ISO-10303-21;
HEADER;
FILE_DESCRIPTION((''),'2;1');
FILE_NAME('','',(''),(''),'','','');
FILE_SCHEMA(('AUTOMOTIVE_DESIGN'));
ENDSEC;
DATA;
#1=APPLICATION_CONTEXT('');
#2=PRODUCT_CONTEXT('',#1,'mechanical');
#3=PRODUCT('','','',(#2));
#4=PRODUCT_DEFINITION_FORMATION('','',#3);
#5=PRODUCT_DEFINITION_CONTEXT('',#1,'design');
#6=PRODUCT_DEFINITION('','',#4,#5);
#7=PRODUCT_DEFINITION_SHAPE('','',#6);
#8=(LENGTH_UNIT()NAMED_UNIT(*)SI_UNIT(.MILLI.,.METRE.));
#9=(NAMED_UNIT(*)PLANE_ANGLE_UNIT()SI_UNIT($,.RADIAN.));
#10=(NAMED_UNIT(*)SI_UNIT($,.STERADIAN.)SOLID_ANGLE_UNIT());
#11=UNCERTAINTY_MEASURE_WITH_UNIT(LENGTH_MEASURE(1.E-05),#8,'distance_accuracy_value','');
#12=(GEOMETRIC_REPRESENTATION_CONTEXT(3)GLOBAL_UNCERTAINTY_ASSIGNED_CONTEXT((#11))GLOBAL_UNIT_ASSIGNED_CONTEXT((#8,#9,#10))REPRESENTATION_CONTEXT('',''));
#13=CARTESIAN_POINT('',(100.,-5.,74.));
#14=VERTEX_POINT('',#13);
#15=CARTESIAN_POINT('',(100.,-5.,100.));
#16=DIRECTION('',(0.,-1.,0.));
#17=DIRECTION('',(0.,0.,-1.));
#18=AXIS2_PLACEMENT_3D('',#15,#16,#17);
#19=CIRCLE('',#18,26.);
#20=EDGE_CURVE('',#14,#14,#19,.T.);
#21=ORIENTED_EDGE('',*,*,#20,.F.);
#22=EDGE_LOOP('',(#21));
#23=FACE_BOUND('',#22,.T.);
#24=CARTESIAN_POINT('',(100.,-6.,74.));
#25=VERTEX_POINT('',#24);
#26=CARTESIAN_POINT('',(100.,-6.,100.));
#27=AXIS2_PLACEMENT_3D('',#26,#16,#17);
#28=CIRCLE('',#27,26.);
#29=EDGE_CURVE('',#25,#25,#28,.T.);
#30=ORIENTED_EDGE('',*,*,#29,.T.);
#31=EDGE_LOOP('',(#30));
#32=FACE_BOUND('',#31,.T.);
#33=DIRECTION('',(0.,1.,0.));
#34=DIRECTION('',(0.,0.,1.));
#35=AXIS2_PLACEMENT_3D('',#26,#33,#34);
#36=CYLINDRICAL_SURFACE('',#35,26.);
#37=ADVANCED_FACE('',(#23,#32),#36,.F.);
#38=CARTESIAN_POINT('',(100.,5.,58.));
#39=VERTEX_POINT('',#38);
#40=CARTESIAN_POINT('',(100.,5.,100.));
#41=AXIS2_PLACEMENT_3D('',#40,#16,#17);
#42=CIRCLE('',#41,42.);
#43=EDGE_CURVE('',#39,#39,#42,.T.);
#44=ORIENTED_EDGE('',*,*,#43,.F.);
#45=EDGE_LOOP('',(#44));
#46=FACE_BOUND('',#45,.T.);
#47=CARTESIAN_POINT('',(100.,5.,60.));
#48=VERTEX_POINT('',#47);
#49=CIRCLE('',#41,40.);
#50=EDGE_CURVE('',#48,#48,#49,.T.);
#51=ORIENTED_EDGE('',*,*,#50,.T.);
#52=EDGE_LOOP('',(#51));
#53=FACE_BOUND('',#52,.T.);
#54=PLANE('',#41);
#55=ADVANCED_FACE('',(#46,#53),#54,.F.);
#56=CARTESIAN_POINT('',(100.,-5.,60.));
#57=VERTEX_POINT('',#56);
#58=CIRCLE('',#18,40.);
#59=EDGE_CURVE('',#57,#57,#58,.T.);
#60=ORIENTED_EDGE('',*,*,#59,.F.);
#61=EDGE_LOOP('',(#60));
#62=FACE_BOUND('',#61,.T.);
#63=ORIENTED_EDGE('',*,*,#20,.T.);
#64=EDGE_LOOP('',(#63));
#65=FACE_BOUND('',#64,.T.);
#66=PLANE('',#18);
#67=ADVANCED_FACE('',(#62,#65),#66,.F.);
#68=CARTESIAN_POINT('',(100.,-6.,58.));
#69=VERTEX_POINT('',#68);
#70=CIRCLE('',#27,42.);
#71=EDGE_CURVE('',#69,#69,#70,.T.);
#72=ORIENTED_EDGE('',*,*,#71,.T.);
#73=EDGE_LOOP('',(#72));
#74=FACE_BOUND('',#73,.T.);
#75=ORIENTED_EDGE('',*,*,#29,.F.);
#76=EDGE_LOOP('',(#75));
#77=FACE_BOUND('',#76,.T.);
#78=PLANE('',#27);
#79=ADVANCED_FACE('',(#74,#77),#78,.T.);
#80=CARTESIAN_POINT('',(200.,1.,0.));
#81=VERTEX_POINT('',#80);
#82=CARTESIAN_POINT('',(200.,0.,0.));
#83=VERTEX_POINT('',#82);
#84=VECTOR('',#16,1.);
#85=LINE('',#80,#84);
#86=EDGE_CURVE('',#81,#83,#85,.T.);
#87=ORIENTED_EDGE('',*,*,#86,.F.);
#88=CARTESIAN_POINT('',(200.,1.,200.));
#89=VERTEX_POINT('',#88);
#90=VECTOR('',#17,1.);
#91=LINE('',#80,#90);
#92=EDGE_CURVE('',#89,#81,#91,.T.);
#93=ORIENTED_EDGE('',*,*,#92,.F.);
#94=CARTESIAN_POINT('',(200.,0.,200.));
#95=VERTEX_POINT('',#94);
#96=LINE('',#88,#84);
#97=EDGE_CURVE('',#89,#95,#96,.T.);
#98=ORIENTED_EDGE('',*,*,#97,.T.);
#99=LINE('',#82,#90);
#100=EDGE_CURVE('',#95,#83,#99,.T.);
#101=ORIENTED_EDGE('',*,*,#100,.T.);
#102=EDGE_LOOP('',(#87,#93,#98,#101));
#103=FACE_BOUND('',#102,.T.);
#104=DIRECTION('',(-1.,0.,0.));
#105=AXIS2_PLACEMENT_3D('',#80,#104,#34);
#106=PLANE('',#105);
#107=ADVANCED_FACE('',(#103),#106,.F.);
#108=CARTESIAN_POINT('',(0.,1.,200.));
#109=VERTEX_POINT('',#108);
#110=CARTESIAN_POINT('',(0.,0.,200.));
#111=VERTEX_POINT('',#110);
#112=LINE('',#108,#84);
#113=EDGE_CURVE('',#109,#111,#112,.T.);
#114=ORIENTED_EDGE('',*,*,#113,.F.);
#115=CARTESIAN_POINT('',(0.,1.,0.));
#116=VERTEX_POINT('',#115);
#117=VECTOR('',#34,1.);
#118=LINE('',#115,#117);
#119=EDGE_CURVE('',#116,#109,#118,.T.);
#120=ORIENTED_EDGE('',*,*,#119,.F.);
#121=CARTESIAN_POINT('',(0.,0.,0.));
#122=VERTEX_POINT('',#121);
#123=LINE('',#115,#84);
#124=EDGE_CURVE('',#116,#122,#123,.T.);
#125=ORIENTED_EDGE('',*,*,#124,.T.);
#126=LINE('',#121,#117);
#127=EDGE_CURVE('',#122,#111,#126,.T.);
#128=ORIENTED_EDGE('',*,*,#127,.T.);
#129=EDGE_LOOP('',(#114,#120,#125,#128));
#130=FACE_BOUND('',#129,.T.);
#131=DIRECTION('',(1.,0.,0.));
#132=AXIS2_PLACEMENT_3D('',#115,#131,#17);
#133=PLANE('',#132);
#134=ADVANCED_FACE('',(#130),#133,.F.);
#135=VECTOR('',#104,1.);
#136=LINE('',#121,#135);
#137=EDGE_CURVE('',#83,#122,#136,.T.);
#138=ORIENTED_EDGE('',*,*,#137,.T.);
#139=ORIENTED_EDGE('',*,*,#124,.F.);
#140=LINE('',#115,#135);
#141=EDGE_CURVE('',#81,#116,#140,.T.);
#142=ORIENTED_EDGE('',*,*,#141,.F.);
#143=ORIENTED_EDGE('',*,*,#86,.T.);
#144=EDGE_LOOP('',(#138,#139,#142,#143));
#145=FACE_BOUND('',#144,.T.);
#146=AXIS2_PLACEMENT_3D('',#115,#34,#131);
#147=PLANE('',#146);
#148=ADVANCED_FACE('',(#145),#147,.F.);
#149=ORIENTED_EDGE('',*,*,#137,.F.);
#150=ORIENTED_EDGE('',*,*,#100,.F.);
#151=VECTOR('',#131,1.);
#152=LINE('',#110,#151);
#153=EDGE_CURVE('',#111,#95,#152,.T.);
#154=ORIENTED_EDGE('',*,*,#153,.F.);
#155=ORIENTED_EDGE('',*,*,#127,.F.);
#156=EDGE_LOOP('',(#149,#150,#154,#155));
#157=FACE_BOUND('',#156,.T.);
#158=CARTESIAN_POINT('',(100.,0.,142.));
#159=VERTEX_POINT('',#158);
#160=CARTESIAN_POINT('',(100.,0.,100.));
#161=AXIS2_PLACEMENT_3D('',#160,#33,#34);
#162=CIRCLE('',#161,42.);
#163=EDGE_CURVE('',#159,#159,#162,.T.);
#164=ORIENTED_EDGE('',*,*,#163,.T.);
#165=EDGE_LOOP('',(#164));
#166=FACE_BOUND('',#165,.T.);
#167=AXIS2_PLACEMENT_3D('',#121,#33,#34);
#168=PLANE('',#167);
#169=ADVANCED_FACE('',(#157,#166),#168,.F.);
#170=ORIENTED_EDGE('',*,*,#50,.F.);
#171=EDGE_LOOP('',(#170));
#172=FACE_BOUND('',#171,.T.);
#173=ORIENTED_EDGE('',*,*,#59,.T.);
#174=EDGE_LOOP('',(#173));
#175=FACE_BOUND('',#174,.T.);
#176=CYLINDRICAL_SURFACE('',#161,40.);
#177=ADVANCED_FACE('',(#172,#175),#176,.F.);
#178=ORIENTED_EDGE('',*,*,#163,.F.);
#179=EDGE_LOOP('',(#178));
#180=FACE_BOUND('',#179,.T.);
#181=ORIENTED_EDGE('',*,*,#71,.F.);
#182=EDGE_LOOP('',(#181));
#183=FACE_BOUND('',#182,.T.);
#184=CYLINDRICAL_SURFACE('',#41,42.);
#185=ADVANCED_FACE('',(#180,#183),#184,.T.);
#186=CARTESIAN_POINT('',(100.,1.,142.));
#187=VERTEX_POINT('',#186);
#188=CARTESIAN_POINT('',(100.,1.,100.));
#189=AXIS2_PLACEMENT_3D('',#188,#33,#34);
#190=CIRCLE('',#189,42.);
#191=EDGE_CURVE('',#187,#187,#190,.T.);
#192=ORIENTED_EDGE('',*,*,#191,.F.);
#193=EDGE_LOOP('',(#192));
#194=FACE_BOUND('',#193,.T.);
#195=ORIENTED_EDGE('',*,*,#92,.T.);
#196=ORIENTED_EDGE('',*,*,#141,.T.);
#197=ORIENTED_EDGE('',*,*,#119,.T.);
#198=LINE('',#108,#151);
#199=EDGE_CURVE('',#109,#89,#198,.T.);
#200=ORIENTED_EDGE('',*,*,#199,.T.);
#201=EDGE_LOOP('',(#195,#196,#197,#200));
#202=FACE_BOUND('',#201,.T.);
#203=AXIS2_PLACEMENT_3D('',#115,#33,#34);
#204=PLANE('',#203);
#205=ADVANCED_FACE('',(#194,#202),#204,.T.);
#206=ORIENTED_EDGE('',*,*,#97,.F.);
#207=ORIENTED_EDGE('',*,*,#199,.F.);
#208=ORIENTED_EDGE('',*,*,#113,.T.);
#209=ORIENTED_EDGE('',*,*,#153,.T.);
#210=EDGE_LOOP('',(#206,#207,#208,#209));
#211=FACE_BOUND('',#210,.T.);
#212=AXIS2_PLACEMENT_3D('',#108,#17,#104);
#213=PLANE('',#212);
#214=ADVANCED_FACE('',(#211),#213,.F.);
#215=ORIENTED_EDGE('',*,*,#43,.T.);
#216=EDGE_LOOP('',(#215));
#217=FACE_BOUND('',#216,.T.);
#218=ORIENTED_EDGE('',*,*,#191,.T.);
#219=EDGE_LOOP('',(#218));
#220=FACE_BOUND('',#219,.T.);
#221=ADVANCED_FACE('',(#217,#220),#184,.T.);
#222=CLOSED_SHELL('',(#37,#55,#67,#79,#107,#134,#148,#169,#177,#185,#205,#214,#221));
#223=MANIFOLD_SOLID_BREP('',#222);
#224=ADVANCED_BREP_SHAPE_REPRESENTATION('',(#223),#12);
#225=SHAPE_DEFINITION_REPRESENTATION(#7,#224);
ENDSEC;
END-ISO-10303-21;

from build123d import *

# Parameters (mm, degrees)
SKETCH1_W                = 200
SKETCH1_H                = 200
BOSS_EXTRUDE3_DEPTH      = 1
SKETCH10_R               = 40
CUT_EXTRUDE2_DEPTH       = 1
BOSS_EXTRUDE6_DEPTH      = 5
BOSS_EXTRUDE6_DEPTH_BACK = 5
SKETCH13_R               = 42
SKETCH13_R_2             = 40
SKETCH14_R               = 42
SKETCH14_R_2             = 26
BOSS_EXTRUDE7_DEPTH      = 1


with BuildPart() as part:
    # Sketch1 → Boss-Extrude3 (new body)
    with BuildSketch(Plane(origin=(0, 0, 0), x_dir=(1, 0, 0), z_dir=(0, 1, 0))):
        with Locations((100, -100)):
            Rectangle(SKETCH1_W, SKETCH1_H)
    extrude(amount=BOSS_EXTRUDE3_DEPTH)

    # Sketch10 → Cut-Extrude2 (cut)
    with BuildSketch(Plane(origin=(0, 1, 0), x_dir=(1, 0, 0), z_dir=(0, 1, 0))):
        with Locations((100, -100)):
            Circle(SKETCH10_R)
    extrude(amount=-CUT_EXTRUDE2_DEPTH, mode=Mode.SUBTRACT)

    # Sketch13 → Boss-Extrude6 (add, two sides: drawn at the far end of the back side and taken through both)
    with BuildSketch(Plane.XZ.offset(-BOSS_EXTRUDE6_DEPTH_BACK)):
        with Locations((100, 100)):
            Circle(SKETCH13_R)
        with Locations((100, 100)):
            Circle(SKETCH13_R_2, mode=Mode.SUBTRACT)
    extrude(amount=BOSS_EXTRUDE6_DEPTH + BOSS_EXTRUDE6_DEPTH_BACK)

    # Sketch14 → Boss-Extrude7 (add)
    with BuildSketch(Plane.XZ.offset(5)):
        with Locations((100, 100)):
            Circle(SKETCH14_R)
        with Locations((100, 100)):
            Circle(SKETCH14_R_2, mode=Mode.SUBTRACT)
    extrude(amount=BOSS_EXTRUDE7_DEPTH)


solid = part.part
